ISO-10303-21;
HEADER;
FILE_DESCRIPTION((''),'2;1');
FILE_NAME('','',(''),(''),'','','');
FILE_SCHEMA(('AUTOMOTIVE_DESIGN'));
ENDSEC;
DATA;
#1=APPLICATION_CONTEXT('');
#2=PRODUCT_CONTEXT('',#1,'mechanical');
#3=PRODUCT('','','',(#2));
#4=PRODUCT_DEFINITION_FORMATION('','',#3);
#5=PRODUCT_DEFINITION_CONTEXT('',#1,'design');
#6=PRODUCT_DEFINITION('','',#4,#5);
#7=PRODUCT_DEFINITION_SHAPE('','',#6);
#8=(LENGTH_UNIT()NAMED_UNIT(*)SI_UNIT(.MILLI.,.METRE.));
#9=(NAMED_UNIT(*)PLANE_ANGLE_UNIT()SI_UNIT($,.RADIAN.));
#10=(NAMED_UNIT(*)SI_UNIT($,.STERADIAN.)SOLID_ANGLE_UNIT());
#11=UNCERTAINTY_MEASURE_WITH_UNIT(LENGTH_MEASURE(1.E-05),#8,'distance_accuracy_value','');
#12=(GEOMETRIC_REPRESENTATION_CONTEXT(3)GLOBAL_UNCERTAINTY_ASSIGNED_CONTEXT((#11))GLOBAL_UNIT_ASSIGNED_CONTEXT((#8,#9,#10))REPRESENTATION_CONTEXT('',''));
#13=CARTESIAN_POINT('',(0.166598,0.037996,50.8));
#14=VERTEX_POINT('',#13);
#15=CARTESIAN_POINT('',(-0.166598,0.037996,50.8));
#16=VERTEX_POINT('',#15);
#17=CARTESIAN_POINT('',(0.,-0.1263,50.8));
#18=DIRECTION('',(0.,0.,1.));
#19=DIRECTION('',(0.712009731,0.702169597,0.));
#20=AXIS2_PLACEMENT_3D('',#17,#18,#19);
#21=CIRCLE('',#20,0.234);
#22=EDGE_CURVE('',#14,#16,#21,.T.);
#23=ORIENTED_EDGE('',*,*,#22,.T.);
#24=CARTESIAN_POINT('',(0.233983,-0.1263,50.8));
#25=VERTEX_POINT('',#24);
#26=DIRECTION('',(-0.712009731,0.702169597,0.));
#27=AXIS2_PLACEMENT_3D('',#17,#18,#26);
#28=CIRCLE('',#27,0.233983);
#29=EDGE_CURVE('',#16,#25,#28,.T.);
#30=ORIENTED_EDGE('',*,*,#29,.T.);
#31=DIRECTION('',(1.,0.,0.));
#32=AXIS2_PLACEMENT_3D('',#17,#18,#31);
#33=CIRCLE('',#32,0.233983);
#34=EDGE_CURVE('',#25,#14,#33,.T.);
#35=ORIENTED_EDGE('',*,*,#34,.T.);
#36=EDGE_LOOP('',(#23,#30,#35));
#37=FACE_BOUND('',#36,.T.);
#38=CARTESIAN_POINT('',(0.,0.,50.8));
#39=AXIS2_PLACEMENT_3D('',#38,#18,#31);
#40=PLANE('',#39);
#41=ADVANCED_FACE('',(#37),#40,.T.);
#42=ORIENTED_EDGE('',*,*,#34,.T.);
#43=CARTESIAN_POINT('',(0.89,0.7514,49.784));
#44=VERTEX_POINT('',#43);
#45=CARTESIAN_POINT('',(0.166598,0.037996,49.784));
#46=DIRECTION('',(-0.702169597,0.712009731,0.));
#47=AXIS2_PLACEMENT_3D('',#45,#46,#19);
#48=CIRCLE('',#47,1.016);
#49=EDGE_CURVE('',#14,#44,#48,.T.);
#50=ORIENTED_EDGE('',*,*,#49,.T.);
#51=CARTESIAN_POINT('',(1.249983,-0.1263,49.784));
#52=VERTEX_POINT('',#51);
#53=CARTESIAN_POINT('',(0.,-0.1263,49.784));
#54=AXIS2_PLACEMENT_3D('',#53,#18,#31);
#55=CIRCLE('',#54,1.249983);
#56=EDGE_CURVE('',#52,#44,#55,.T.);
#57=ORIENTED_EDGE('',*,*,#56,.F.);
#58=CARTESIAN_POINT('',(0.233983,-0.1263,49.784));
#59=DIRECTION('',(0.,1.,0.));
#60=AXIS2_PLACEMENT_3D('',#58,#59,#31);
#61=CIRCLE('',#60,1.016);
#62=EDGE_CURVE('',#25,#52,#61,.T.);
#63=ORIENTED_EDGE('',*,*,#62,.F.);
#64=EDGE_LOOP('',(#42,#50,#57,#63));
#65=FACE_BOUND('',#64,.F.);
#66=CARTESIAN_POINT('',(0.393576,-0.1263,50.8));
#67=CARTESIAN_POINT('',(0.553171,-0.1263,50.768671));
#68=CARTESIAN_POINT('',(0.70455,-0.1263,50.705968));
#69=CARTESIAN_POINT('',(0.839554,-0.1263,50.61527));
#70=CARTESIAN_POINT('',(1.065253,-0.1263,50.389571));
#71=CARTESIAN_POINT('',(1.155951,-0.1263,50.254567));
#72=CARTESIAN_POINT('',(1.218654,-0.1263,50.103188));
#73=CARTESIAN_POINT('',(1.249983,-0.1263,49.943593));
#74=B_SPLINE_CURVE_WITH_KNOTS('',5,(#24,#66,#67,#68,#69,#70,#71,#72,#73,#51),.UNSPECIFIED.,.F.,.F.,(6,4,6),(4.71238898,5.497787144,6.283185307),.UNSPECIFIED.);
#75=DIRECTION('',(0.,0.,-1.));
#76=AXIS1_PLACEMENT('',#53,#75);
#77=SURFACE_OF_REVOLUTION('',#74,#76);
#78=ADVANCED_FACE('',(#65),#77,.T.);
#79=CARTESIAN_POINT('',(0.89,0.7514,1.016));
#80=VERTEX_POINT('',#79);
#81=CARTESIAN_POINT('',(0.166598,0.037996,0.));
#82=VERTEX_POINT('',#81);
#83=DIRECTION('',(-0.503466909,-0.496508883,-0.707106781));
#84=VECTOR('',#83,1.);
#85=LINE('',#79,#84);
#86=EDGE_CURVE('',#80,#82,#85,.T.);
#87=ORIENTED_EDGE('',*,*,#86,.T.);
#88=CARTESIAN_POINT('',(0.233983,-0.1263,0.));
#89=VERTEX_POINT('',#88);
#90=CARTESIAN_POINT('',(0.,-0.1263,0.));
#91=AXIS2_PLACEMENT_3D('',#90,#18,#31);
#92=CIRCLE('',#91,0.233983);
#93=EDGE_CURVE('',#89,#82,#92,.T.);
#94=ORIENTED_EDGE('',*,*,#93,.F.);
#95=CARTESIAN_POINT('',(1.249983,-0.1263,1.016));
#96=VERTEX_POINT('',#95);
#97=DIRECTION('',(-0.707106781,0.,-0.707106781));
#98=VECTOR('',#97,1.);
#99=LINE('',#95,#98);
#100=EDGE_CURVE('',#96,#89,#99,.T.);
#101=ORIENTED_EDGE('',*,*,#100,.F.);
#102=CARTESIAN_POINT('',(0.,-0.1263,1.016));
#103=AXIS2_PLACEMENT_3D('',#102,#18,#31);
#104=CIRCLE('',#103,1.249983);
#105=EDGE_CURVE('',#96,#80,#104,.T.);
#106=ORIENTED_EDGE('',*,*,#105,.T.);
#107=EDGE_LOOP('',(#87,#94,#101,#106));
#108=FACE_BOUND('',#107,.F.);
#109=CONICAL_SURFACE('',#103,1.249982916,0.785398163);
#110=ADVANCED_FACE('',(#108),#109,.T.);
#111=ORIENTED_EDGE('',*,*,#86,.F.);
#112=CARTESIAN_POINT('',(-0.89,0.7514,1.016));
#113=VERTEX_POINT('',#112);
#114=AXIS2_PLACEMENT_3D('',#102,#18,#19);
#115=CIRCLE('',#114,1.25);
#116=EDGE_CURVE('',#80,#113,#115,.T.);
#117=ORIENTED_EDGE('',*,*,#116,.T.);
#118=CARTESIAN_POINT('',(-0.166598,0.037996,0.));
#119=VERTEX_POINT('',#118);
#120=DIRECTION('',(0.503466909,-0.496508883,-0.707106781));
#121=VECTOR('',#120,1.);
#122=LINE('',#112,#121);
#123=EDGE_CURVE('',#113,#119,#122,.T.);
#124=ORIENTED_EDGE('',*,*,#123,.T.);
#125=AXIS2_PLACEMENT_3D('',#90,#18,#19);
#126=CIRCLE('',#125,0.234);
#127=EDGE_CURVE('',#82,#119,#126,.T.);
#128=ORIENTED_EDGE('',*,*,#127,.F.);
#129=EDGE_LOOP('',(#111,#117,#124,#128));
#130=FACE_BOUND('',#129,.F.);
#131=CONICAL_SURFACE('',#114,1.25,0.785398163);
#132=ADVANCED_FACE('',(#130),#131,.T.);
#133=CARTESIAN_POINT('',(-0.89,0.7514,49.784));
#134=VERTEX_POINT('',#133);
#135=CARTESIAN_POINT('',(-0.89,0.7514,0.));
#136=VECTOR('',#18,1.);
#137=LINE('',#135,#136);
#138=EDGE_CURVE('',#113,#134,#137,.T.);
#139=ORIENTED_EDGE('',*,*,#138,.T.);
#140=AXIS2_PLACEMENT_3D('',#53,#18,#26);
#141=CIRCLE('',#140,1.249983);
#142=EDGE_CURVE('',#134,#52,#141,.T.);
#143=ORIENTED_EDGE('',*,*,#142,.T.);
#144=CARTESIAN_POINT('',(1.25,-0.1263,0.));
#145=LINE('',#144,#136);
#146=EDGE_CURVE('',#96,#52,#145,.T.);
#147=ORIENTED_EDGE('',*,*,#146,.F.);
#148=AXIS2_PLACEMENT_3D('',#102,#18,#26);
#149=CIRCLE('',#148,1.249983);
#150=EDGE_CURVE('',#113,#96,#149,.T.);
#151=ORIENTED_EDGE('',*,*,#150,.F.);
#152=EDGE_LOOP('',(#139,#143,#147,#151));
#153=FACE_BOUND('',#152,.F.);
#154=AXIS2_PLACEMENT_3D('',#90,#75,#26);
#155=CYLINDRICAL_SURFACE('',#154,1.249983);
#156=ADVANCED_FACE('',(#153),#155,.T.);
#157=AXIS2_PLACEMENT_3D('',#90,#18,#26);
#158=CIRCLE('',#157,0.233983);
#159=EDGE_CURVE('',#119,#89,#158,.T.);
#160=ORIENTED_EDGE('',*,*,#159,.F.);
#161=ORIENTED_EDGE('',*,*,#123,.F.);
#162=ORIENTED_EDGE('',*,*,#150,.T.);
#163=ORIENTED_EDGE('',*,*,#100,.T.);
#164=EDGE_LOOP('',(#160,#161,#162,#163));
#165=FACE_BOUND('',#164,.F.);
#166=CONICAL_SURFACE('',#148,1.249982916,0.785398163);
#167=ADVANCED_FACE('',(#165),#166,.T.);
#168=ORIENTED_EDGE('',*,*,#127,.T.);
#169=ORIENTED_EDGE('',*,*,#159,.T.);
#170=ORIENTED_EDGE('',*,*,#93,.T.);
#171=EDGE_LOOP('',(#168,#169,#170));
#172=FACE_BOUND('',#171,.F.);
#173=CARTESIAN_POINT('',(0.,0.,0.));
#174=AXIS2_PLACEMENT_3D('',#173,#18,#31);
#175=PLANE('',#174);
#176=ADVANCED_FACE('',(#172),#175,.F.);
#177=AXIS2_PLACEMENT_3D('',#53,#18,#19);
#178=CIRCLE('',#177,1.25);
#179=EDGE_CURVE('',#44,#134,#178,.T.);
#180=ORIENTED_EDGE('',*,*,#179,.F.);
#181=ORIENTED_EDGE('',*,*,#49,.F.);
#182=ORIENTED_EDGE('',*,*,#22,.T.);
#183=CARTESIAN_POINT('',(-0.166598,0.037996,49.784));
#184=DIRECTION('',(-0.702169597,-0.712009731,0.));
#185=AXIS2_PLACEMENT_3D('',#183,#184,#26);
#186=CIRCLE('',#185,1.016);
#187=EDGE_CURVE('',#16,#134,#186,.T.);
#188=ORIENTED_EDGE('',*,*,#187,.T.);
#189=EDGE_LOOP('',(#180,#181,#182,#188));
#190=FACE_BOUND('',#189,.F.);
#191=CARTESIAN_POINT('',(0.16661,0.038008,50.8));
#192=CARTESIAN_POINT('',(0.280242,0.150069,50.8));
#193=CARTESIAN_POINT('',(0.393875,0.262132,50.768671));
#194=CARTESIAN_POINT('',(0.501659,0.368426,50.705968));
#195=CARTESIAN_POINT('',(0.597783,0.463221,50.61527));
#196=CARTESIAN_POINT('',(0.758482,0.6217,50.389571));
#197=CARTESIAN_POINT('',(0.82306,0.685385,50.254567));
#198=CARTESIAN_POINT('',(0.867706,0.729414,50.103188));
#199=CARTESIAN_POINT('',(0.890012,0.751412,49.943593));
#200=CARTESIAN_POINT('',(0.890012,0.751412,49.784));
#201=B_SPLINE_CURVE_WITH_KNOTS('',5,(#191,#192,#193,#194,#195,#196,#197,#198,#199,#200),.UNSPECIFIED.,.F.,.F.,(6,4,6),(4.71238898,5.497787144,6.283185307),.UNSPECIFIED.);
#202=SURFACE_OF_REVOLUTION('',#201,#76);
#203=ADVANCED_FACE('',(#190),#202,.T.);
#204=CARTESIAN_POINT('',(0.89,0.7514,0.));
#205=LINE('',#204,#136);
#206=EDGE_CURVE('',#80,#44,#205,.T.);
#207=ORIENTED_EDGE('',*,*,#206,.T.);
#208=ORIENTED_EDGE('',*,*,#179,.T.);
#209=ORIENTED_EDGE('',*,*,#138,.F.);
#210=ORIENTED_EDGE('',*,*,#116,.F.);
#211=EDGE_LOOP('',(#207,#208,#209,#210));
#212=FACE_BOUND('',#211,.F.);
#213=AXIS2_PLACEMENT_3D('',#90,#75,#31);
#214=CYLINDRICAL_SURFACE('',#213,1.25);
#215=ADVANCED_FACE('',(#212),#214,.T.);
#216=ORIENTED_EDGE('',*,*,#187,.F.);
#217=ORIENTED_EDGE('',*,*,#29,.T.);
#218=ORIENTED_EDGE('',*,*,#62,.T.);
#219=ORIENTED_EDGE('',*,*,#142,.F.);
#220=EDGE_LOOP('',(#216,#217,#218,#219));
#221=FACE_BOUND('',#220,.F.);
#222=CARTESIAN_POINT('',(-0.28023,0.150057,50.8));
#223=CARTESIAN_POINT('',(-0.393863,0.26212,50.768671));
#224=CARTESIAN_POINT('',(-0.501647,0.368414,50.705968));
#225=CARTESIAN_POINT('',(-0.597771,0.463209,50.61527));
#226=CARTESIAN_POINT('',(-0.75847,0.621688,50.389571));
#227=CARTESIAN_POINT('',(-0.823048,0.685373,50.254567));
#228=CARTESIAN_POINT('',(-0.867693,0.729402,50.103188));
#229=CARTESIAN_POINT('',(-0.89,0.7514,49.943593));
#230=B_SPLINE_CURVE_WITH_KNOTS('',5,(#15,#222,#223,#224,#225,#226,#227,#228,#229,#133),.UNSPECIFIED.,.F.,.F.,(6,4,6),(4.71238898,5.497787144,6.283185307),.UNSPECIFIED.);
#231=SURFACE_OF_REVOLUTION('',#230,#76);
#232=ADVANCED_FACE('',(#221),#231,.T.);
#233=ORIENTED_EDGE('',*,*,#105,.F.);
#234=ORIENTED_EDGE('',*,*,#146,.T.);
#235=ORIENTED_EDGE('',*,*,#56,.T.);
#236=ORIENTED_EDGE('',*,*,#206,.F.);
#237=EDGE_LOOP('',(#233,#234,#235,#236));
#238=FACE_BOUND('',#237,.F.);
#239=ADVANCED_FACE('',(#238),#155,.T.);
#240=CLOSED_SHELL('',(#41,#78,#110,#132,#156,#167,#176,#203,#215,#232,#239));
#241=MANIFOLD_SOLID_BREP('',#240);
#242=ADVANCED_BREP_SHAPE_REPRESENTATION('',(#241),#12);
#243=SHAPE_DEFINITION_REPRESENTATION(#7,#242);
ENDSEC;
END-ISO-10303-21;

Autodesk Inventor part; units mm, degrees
ref_plane "YZ Plane" through (0, 0, 0) normal (1, 0, 0) x (0, 1, 0)
ref_plane "XZ Plane" through (0, 0, 0) normal (0, 1, 0) x (-1, 0, 0)
ref_plane "XY Plane" through (0, 0, 0) normal (0, 0, 1) x (1, 0, 0)
sketch "Sketch1" plane through (0, 0, 0) normal (0, 0, 1) x (1, 0, 0)
  arc A0 (-0.89, 0.7514) -> (0.89, 0.7514) centre (0, -0.1263) ccw projected
  circle A1 centre (0, -0.1263) radius 1.25
  point P0 (0, 0)
extrude "Extrusion1" add sketch "Sketch1" along normal blind 50.8
chamfer "Chamfer1" distance 1.016 angle 45 1 edges at (-1.25, -0.1263, 0)
fillet "Fillet1" radius 1.016 1 edges at (-1.25, -0.1263, 50.8)
properties part number "staff"
